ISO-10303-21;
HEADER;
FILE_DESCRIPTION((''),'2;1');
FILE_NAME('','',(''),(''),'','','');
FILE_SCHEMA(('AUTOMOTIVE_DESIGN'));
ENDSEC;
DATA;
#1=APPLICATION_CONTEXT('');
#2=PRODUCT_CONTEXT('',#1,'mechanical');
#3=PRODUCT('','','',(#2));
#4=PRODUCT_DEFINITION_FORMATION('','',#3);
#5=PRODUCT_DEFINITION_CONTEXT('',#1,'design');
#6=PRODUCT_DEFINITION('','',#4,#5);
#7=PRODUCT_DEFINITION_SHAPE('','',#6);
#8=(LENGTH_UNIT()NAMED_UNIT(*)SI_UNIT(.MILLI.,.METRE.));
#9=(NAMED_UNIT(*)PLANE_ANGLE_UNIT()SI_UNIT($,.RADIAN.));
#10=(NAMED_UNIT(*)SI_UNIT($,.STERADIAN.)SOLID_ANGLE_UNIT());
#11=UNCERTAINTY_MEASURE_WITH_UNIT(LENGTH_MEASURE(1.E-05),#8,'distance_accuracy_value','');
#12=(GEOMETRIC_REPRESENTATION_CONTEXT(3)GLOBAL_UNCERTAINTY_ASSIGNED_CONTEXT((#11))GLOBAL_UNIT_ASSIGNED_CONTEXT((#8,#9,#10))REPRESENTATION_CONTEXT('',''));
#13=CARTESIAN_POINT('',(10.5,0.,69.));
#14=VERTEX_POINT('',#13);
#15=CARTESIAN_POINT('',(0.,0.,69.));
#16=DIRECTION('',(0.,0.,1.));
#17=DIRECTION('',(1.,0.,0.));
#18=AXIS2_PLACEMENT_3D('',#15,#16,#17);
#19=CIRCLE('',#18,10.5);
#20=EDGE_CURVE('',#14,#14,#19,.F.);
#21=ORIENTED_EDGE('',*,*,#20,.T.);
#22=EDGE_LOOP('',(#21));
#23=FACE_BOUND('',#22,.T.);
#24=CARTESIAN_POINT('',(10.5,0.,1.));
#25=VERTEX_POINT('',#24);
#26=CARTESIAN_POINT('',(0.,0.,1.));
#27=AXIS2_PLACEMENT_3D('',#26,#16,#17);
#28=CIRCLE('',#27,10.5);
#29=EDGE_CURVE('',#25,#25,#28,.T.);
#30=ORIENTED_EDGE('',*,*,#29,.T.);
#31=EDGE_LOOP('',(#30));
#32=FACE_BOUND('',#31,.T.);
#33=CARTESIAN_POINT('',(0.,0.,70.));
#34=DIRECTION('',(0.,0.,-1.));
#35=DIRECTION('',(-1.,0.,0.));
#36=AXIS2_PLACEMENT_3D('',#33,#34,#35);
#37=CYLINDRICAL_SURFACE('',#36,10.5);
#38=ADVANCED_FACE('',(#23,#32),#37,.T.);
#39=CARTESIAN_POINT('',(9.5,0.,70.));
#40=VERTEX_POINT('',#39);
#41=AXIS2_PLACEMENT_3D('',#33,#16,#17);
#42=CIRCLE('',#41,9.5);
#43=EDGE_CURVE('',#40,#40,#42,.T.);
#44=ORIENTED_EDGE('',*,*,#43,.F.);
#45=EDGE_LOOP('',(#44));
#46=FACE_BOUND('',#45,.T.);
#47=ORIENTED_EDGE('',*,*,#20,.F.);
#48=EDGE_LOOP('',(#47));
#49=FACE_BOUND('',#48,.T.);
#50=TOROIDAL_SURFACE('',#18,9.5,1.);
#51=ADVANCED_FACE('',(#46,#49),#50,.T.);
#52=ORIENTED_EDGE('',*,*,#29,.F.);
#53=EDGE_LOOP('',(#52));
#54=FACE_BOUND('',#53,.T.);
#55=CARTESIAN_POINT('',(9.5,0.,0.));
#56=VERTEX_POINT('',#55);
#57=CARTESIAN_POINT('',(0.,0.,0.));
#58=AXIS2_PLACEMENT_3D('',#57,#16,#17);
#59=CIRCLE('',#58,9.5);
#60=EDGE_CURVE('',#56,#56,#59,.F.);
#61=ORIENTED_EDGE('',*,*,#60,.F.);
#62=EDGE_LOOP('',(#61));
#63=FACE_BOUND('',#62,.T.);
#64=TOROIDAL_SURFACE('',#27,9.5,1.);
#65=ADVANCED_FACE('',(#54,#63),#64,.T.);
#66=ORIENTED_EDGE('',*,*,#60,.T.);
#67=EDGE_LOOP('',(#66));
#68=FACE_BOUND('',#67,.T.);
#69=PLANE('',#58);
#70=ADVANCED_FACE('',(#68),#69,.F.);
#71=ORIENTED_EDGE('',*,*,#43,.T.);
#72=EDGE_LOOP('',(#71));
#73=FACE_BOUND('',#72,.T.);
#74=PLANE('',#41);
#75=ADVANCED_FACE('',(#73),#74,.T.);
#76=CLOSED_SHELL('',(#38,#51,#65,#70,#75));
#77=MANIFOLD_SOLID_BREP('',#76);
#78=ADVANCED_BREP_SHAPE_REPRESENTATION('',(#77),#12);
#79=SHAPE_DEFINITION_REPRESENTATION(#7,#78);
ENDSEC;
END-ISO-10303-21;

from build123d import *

# Parameters (mm, degrees)
SKETCH1_R           = 10.5
BOSS_EXTRUDE1_DEPTH = 70
FILLET1_R           = 1


with BuildPart() as part:
    # Sketch1 → Boss-Extrude1 (new body)
    with BuildSketch(Plane.XY):
        Circle(SKETCH1_R)
    extrude(amount=BOSS_EXTRUDE1_DEPTH)

    # Fillet1
    fillet1_edges = [part.edges().sort_by_distance(p)[0] for p in [
        (-10.5, 0, 0),
        (-10.5, 0, 70),
    ]]
    fillet(fillet1_edges, radius=FILLET1_R)


solid = part.part
